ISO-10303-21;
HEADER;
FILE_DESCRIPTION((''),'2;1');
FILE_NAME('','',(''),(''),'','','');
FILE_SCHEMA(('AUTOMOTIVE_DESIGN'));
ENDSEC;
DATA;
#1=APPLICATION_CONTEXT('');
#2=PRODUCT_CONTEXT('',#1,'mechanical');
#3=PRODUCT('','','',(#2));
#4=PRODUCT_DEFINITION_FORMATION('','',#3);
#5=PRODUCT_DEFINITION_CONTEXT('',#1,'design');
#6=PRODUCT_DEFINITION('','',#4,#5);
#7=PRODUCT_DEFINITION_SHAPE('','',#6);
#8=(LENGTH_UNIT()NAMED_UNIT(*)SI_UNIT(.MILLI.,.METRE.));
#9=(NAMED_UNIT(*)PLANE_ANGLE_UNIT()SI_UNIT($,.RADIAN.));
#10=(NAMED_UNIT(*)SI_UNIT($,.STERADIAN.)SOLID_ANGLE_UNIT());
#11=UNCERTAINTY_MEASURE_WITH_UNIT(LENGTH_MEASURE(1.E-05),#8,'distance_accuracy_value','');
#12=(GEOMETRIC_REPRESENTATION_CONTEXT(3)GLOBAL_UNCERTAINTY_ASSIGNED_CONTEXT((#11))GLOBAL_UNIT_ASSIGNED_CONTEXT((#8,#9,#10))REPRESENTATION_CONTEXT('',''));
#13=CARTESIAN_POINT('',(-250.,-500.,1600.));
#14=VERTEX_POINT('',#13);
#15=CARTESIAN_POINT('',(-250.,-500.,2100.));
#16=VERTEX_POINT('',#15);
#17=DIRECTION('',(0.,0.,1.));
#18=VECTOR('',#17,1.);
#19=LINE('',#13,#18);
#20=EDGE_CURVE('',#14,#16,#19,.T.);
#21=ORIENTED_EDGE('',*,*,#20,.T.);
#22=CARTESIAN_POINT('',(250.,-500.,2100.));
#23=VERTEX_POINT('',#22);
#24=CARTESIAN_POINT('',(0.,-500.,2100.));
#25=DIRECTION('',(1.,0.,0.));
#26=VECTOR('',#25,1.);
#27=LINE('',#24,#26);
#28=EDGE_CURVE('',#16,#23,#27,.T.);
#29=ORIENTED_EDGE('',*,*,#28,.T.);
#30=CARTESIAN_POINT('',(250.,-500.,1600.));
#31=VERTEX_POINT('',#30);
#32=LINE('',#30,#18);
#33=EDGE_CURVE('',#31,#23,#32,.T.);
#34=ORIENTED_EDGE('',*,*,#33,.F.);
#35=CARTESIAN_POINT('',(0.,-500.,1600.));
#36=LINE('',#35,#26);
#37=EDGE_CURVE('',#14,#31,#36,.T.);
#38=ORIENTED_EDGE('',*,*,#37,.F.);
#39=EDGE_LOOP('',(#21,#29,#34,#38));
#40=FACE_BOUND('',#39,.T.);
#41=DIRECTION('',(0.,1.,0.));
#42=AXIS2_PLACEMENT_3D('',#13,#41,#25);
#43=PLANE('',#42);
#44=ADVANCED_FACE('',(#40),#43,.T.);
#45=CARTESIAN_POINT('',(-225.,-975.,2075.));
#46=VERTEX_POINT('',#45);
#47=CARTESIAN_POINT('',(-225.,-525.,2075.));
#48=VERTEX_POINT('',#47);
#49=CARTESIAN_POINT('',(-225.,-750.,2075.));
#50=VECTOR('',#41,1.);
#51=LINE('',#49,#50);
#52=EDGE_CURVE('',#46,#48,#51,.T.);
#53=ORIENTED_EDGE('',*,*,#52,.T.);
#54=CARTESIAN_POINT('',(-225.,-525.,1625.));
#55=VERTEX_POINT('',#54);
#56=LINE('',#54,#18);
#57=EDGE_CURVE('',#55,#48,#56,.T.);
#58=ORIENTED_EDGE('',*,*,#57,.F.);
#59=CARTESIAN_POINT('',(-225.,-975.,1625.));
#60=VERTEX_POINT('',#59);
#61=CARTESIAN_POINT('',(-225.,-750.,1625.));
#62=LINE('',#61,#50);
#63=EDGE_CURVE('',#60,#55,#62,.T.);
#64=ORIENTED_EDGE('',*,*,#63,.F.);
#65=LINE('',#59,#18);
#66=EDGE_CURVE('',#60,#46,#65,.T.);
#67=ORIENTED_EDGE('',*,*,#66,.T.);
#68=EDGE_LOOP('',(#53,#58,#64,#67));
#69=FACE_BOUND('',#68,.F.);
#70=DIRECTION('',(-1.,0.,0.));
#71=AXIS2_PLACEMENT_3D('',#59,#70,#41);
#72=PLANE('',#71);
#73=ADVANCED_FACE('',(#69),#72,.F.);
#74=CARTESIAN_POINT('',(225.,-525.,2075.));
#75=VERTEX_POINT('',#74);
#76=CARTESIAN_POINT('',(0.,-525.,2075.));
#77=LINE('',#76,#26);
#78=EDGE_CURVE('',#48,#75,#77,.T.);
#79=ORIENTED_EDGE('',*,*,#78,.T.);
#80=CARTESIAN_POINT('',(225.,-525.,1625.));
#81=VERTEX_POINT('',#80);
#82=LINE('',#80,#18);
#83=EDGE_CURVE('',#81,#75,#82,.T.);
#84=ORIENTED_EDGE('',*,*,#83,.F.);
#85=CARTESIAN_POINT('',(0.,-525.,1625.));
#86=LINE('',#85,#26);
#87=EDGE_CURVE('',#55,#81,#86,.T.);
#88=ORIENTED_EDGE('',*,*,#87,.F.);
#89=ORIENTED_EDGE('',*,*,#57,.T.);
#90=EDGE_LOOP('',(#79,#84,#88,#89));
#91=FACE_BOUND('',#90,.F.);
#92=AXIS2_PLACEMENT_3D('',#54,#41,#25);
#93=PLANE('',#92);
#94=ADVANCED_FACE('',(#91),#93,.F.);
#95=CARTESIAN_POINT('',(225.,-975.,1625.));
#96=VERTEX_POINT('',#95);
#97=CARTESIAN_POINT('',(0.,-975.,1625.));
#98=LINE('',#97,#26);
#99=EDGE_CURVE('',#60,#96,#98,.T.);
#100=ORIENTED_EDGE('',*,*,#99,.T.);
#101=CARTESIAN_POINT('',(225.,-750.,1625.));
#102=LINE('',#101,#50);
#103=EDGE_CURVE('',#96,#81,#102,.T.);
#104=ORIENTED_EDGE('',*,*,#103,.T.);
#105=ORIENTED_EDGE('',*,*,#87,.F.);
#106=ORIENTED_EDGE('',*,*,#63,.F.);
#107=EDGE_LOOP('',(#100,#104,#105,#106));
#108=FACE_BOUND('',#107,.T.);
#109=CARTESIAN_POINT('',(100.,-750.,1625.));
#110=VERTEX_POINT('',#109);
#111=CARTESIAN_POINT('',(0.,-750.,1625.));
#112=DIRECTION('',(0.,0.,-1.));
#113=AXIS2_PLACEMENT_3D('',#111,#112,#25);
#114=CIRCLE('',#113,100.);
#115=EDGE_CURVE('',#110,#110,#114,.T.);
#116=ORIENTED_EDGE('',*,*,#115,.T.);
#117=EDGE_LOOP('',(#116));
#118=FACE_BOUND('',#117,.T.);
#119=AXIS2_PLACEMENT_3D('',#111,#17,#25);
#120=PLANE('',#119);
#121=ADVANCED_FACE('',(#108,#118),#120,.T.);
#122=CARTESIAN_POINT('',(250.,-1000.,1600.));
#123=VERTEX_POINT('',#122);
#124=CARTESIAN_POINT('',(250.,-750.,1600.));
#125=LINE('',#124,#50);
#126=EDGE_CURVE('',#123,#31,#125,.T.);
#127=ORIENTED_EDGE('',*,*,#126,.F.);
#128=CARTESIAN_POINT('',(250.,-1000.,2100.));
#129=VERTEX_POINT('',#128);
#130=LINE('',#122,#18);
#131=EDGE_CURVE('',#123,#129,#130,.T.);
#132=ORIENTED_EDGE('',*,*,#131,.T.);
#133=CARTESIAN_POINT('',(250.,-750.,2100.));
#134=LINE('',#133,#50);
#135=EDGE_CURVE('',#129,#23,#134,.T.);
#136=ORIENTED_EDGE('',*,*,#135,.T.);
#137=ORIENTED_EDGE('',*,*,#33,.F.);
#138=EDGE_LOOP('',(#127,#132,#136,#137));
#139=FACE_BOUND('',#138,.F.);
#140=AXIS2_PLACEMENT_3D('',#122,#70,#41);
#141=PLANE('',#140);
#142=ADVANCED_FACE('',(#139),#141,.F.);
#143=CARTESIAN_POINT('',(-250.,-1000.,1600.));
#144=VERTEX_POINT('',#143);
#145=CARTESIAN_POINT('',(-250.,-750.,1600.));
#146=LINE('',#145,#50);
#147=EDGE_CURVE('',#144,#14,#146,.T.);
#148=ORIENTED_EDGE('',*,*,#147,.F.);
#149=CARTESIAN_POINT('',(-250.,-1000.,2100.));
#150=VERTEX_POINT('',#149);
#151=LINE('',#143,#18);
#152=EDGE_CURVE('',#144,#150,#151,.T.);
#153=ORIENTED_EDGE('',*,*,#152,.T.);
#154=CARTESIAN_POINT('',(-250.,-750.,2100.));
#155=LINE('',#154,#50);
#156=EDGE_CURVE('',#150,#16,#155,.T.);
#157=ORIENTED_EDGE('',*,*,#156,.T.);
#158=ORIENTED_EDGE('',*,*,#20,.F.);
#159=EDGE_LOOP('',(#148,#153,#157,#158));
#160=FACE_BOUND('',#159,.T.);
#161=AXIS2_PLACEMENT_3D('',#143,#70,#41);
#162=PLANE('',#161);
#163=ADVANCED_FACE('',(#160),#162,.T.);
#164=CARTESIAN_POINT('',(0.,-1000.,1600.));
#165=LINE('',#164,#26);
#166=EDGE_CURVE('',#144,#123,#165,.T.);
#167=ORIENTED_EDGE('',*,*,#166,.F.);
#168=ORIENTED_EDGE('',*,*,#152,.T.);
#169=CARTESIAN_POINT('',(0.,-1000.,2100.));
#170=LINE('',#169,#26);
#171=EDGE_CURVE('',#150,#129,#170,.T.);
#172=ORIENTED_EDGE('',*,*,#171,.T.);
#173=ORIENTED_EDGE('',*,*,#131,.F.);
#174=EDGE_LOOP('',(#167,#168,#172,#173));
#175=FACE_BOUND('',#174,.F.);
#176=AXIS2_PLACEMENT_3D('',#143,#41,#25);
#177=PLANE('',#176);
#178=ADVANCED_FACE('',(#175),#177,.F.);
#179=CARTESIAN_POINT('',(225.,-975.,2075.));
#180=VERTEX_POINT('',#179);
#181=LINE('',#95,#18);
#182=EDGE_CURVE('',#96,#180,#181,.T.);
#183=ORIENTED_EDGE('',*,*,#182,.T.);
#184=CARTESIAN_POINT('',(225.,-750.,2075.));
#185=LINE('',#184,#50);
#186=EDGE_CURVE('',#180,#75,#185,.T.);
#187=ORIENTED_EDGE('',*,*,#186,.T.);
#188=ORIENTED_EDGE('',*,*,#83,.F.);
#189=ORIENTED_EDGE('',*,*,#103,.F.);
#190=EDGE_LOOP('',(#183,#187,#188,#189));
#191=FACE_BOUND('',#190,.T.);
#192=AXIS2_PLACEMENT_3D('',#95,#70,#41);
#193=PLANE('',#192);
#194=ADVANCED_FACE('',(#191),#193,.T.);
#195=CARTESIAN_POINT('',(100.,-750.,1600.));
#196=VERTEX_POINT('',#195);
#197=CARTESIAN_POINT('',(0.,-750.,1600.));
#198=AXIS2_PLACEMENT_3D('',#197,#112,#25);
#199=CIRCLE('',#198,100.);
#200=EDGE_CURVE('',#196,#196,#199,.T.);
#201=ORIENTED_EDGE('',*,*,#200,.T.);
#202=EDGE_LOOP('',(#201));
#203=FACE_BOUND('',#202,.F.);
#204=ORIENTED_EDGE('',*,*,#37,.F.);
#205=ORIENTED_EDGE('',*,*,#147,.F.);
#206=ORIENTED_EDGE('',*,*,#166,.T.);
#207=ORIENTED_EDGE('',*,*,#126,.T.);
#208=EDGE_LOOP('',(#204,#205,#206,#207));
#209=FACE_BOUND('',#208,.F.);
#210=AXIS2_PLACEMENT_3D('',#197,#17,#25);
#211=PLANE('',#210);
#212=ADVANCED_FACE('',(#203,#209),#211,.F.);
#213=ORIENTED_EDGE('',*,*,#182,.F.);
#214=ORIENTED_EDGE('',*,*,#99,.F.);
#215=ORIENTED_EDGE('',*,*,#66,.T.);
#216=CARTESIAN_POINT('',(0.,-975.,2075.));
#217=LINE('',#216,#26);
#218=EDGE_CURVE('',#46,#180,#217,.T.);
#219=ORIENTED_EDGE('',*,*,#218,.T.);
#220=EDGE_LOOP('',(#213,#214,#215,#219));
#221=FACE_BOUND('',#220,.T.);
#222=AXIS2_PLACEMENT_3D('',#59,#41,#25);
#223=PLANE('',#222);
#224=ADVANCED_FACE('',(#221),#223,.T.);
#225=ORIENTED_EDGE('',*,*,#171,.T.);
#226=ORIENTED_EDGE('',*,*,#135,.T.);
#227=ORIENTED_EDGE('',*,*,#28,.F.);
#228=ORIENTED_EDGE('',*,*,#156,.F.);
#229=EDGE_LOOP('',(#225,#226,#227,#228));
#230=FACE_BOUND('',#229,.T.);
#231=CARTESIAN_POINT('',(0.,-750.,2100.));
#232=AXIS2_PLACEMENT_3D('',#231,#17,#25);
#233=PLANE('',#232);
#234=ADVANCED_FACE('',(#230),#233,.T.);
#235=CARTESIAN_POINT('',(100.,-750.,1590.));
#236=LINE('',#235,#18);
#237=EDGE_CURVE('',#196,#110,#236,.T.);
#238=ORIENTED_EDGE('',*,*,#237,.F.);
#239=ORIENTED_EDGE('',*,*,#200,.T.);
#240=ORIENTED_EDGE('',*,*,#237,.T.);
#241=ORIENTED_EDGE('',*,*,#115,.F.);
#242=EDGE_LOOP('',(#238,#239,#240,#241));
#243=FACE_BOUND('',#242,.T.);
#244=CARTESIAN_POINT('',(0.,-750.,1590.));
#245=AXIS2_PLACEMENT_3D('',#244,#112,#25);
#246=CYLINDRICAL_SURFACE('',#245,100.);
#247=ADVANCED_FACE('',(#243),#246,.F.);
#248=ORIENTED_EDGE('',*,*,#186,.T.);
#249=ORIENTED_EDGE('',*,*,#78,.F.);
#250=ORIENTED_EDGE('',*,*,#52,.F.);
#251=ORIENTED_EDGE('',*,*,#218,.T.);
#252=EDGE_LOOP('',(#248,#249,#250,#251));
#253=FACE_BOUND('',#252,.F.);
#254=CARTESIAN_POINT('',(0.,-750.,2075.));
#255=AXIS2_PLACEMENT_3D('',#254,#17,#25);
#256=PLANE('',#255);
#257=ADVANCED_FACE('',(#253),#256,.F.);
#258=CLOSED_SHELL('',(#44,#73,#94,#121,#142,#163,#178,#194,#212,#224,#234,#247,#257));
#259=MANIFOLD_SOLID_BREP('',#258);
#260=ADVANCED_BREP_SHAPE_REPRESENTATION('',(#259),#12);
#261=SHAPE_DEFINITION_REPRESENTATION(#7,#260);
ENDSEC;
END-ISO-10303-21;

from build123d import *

# Parameters (mm, degrees)
CYLINDER_R     = 100
CYLINDER_DEPTH = 50
BOX001_W       = 450
BOX001_H       = 450
BOX001_DEPTH   = 450
BOX_W          = 500
BOX_H          = 500
BOX_DEPTH      = 500


with BuildPart() as cylinder:
    # Cylinder → Cylinder (new body)
    with BuildSketch(Plane(origin=(250, 250, -10), x_dir=(1, 0, 0), z_dir=(0, 0, 1))):
        Circle(CYLINDER_R)
    extrude(amount=CYLINDER_DEPTH)


with BuildPart() as cube001:
    # Box001 → Box001 (new body)
    with BuildSketch(Plane(origin=(25, 25, 25), x_dir=(1, 0, 0), z_dir=(0, 0, 1))):
        with Locations((225, 225)):
            Rectangle(BOX001_W, BOX001_H)
    extrude(amount=BOX001_DEPTH)


with BuildPart() as vacuumchamber:
    # Box → Box (new body)
    with BuildSketch(Plane.XY):
        with Locations((250, 250)):
            Rectangle(BOX_W, BOX_H)
    extrude(amount=BOX_DEPTH)

    # Cut: cut Cube001
    add(cube001.part, mode=Mode.SUBTRACT)

    # Cut001: cut Cylinder
    add(cylinder.part, mode=Mode.SUBTRACT)


with BuildPart() as vacuumchamber_1:
    # Cut001 placement: moved
    add(vacuumchamber.part.moved(Location((-250, -1000, 1600))))


solid = vacuumchamber_1.part
